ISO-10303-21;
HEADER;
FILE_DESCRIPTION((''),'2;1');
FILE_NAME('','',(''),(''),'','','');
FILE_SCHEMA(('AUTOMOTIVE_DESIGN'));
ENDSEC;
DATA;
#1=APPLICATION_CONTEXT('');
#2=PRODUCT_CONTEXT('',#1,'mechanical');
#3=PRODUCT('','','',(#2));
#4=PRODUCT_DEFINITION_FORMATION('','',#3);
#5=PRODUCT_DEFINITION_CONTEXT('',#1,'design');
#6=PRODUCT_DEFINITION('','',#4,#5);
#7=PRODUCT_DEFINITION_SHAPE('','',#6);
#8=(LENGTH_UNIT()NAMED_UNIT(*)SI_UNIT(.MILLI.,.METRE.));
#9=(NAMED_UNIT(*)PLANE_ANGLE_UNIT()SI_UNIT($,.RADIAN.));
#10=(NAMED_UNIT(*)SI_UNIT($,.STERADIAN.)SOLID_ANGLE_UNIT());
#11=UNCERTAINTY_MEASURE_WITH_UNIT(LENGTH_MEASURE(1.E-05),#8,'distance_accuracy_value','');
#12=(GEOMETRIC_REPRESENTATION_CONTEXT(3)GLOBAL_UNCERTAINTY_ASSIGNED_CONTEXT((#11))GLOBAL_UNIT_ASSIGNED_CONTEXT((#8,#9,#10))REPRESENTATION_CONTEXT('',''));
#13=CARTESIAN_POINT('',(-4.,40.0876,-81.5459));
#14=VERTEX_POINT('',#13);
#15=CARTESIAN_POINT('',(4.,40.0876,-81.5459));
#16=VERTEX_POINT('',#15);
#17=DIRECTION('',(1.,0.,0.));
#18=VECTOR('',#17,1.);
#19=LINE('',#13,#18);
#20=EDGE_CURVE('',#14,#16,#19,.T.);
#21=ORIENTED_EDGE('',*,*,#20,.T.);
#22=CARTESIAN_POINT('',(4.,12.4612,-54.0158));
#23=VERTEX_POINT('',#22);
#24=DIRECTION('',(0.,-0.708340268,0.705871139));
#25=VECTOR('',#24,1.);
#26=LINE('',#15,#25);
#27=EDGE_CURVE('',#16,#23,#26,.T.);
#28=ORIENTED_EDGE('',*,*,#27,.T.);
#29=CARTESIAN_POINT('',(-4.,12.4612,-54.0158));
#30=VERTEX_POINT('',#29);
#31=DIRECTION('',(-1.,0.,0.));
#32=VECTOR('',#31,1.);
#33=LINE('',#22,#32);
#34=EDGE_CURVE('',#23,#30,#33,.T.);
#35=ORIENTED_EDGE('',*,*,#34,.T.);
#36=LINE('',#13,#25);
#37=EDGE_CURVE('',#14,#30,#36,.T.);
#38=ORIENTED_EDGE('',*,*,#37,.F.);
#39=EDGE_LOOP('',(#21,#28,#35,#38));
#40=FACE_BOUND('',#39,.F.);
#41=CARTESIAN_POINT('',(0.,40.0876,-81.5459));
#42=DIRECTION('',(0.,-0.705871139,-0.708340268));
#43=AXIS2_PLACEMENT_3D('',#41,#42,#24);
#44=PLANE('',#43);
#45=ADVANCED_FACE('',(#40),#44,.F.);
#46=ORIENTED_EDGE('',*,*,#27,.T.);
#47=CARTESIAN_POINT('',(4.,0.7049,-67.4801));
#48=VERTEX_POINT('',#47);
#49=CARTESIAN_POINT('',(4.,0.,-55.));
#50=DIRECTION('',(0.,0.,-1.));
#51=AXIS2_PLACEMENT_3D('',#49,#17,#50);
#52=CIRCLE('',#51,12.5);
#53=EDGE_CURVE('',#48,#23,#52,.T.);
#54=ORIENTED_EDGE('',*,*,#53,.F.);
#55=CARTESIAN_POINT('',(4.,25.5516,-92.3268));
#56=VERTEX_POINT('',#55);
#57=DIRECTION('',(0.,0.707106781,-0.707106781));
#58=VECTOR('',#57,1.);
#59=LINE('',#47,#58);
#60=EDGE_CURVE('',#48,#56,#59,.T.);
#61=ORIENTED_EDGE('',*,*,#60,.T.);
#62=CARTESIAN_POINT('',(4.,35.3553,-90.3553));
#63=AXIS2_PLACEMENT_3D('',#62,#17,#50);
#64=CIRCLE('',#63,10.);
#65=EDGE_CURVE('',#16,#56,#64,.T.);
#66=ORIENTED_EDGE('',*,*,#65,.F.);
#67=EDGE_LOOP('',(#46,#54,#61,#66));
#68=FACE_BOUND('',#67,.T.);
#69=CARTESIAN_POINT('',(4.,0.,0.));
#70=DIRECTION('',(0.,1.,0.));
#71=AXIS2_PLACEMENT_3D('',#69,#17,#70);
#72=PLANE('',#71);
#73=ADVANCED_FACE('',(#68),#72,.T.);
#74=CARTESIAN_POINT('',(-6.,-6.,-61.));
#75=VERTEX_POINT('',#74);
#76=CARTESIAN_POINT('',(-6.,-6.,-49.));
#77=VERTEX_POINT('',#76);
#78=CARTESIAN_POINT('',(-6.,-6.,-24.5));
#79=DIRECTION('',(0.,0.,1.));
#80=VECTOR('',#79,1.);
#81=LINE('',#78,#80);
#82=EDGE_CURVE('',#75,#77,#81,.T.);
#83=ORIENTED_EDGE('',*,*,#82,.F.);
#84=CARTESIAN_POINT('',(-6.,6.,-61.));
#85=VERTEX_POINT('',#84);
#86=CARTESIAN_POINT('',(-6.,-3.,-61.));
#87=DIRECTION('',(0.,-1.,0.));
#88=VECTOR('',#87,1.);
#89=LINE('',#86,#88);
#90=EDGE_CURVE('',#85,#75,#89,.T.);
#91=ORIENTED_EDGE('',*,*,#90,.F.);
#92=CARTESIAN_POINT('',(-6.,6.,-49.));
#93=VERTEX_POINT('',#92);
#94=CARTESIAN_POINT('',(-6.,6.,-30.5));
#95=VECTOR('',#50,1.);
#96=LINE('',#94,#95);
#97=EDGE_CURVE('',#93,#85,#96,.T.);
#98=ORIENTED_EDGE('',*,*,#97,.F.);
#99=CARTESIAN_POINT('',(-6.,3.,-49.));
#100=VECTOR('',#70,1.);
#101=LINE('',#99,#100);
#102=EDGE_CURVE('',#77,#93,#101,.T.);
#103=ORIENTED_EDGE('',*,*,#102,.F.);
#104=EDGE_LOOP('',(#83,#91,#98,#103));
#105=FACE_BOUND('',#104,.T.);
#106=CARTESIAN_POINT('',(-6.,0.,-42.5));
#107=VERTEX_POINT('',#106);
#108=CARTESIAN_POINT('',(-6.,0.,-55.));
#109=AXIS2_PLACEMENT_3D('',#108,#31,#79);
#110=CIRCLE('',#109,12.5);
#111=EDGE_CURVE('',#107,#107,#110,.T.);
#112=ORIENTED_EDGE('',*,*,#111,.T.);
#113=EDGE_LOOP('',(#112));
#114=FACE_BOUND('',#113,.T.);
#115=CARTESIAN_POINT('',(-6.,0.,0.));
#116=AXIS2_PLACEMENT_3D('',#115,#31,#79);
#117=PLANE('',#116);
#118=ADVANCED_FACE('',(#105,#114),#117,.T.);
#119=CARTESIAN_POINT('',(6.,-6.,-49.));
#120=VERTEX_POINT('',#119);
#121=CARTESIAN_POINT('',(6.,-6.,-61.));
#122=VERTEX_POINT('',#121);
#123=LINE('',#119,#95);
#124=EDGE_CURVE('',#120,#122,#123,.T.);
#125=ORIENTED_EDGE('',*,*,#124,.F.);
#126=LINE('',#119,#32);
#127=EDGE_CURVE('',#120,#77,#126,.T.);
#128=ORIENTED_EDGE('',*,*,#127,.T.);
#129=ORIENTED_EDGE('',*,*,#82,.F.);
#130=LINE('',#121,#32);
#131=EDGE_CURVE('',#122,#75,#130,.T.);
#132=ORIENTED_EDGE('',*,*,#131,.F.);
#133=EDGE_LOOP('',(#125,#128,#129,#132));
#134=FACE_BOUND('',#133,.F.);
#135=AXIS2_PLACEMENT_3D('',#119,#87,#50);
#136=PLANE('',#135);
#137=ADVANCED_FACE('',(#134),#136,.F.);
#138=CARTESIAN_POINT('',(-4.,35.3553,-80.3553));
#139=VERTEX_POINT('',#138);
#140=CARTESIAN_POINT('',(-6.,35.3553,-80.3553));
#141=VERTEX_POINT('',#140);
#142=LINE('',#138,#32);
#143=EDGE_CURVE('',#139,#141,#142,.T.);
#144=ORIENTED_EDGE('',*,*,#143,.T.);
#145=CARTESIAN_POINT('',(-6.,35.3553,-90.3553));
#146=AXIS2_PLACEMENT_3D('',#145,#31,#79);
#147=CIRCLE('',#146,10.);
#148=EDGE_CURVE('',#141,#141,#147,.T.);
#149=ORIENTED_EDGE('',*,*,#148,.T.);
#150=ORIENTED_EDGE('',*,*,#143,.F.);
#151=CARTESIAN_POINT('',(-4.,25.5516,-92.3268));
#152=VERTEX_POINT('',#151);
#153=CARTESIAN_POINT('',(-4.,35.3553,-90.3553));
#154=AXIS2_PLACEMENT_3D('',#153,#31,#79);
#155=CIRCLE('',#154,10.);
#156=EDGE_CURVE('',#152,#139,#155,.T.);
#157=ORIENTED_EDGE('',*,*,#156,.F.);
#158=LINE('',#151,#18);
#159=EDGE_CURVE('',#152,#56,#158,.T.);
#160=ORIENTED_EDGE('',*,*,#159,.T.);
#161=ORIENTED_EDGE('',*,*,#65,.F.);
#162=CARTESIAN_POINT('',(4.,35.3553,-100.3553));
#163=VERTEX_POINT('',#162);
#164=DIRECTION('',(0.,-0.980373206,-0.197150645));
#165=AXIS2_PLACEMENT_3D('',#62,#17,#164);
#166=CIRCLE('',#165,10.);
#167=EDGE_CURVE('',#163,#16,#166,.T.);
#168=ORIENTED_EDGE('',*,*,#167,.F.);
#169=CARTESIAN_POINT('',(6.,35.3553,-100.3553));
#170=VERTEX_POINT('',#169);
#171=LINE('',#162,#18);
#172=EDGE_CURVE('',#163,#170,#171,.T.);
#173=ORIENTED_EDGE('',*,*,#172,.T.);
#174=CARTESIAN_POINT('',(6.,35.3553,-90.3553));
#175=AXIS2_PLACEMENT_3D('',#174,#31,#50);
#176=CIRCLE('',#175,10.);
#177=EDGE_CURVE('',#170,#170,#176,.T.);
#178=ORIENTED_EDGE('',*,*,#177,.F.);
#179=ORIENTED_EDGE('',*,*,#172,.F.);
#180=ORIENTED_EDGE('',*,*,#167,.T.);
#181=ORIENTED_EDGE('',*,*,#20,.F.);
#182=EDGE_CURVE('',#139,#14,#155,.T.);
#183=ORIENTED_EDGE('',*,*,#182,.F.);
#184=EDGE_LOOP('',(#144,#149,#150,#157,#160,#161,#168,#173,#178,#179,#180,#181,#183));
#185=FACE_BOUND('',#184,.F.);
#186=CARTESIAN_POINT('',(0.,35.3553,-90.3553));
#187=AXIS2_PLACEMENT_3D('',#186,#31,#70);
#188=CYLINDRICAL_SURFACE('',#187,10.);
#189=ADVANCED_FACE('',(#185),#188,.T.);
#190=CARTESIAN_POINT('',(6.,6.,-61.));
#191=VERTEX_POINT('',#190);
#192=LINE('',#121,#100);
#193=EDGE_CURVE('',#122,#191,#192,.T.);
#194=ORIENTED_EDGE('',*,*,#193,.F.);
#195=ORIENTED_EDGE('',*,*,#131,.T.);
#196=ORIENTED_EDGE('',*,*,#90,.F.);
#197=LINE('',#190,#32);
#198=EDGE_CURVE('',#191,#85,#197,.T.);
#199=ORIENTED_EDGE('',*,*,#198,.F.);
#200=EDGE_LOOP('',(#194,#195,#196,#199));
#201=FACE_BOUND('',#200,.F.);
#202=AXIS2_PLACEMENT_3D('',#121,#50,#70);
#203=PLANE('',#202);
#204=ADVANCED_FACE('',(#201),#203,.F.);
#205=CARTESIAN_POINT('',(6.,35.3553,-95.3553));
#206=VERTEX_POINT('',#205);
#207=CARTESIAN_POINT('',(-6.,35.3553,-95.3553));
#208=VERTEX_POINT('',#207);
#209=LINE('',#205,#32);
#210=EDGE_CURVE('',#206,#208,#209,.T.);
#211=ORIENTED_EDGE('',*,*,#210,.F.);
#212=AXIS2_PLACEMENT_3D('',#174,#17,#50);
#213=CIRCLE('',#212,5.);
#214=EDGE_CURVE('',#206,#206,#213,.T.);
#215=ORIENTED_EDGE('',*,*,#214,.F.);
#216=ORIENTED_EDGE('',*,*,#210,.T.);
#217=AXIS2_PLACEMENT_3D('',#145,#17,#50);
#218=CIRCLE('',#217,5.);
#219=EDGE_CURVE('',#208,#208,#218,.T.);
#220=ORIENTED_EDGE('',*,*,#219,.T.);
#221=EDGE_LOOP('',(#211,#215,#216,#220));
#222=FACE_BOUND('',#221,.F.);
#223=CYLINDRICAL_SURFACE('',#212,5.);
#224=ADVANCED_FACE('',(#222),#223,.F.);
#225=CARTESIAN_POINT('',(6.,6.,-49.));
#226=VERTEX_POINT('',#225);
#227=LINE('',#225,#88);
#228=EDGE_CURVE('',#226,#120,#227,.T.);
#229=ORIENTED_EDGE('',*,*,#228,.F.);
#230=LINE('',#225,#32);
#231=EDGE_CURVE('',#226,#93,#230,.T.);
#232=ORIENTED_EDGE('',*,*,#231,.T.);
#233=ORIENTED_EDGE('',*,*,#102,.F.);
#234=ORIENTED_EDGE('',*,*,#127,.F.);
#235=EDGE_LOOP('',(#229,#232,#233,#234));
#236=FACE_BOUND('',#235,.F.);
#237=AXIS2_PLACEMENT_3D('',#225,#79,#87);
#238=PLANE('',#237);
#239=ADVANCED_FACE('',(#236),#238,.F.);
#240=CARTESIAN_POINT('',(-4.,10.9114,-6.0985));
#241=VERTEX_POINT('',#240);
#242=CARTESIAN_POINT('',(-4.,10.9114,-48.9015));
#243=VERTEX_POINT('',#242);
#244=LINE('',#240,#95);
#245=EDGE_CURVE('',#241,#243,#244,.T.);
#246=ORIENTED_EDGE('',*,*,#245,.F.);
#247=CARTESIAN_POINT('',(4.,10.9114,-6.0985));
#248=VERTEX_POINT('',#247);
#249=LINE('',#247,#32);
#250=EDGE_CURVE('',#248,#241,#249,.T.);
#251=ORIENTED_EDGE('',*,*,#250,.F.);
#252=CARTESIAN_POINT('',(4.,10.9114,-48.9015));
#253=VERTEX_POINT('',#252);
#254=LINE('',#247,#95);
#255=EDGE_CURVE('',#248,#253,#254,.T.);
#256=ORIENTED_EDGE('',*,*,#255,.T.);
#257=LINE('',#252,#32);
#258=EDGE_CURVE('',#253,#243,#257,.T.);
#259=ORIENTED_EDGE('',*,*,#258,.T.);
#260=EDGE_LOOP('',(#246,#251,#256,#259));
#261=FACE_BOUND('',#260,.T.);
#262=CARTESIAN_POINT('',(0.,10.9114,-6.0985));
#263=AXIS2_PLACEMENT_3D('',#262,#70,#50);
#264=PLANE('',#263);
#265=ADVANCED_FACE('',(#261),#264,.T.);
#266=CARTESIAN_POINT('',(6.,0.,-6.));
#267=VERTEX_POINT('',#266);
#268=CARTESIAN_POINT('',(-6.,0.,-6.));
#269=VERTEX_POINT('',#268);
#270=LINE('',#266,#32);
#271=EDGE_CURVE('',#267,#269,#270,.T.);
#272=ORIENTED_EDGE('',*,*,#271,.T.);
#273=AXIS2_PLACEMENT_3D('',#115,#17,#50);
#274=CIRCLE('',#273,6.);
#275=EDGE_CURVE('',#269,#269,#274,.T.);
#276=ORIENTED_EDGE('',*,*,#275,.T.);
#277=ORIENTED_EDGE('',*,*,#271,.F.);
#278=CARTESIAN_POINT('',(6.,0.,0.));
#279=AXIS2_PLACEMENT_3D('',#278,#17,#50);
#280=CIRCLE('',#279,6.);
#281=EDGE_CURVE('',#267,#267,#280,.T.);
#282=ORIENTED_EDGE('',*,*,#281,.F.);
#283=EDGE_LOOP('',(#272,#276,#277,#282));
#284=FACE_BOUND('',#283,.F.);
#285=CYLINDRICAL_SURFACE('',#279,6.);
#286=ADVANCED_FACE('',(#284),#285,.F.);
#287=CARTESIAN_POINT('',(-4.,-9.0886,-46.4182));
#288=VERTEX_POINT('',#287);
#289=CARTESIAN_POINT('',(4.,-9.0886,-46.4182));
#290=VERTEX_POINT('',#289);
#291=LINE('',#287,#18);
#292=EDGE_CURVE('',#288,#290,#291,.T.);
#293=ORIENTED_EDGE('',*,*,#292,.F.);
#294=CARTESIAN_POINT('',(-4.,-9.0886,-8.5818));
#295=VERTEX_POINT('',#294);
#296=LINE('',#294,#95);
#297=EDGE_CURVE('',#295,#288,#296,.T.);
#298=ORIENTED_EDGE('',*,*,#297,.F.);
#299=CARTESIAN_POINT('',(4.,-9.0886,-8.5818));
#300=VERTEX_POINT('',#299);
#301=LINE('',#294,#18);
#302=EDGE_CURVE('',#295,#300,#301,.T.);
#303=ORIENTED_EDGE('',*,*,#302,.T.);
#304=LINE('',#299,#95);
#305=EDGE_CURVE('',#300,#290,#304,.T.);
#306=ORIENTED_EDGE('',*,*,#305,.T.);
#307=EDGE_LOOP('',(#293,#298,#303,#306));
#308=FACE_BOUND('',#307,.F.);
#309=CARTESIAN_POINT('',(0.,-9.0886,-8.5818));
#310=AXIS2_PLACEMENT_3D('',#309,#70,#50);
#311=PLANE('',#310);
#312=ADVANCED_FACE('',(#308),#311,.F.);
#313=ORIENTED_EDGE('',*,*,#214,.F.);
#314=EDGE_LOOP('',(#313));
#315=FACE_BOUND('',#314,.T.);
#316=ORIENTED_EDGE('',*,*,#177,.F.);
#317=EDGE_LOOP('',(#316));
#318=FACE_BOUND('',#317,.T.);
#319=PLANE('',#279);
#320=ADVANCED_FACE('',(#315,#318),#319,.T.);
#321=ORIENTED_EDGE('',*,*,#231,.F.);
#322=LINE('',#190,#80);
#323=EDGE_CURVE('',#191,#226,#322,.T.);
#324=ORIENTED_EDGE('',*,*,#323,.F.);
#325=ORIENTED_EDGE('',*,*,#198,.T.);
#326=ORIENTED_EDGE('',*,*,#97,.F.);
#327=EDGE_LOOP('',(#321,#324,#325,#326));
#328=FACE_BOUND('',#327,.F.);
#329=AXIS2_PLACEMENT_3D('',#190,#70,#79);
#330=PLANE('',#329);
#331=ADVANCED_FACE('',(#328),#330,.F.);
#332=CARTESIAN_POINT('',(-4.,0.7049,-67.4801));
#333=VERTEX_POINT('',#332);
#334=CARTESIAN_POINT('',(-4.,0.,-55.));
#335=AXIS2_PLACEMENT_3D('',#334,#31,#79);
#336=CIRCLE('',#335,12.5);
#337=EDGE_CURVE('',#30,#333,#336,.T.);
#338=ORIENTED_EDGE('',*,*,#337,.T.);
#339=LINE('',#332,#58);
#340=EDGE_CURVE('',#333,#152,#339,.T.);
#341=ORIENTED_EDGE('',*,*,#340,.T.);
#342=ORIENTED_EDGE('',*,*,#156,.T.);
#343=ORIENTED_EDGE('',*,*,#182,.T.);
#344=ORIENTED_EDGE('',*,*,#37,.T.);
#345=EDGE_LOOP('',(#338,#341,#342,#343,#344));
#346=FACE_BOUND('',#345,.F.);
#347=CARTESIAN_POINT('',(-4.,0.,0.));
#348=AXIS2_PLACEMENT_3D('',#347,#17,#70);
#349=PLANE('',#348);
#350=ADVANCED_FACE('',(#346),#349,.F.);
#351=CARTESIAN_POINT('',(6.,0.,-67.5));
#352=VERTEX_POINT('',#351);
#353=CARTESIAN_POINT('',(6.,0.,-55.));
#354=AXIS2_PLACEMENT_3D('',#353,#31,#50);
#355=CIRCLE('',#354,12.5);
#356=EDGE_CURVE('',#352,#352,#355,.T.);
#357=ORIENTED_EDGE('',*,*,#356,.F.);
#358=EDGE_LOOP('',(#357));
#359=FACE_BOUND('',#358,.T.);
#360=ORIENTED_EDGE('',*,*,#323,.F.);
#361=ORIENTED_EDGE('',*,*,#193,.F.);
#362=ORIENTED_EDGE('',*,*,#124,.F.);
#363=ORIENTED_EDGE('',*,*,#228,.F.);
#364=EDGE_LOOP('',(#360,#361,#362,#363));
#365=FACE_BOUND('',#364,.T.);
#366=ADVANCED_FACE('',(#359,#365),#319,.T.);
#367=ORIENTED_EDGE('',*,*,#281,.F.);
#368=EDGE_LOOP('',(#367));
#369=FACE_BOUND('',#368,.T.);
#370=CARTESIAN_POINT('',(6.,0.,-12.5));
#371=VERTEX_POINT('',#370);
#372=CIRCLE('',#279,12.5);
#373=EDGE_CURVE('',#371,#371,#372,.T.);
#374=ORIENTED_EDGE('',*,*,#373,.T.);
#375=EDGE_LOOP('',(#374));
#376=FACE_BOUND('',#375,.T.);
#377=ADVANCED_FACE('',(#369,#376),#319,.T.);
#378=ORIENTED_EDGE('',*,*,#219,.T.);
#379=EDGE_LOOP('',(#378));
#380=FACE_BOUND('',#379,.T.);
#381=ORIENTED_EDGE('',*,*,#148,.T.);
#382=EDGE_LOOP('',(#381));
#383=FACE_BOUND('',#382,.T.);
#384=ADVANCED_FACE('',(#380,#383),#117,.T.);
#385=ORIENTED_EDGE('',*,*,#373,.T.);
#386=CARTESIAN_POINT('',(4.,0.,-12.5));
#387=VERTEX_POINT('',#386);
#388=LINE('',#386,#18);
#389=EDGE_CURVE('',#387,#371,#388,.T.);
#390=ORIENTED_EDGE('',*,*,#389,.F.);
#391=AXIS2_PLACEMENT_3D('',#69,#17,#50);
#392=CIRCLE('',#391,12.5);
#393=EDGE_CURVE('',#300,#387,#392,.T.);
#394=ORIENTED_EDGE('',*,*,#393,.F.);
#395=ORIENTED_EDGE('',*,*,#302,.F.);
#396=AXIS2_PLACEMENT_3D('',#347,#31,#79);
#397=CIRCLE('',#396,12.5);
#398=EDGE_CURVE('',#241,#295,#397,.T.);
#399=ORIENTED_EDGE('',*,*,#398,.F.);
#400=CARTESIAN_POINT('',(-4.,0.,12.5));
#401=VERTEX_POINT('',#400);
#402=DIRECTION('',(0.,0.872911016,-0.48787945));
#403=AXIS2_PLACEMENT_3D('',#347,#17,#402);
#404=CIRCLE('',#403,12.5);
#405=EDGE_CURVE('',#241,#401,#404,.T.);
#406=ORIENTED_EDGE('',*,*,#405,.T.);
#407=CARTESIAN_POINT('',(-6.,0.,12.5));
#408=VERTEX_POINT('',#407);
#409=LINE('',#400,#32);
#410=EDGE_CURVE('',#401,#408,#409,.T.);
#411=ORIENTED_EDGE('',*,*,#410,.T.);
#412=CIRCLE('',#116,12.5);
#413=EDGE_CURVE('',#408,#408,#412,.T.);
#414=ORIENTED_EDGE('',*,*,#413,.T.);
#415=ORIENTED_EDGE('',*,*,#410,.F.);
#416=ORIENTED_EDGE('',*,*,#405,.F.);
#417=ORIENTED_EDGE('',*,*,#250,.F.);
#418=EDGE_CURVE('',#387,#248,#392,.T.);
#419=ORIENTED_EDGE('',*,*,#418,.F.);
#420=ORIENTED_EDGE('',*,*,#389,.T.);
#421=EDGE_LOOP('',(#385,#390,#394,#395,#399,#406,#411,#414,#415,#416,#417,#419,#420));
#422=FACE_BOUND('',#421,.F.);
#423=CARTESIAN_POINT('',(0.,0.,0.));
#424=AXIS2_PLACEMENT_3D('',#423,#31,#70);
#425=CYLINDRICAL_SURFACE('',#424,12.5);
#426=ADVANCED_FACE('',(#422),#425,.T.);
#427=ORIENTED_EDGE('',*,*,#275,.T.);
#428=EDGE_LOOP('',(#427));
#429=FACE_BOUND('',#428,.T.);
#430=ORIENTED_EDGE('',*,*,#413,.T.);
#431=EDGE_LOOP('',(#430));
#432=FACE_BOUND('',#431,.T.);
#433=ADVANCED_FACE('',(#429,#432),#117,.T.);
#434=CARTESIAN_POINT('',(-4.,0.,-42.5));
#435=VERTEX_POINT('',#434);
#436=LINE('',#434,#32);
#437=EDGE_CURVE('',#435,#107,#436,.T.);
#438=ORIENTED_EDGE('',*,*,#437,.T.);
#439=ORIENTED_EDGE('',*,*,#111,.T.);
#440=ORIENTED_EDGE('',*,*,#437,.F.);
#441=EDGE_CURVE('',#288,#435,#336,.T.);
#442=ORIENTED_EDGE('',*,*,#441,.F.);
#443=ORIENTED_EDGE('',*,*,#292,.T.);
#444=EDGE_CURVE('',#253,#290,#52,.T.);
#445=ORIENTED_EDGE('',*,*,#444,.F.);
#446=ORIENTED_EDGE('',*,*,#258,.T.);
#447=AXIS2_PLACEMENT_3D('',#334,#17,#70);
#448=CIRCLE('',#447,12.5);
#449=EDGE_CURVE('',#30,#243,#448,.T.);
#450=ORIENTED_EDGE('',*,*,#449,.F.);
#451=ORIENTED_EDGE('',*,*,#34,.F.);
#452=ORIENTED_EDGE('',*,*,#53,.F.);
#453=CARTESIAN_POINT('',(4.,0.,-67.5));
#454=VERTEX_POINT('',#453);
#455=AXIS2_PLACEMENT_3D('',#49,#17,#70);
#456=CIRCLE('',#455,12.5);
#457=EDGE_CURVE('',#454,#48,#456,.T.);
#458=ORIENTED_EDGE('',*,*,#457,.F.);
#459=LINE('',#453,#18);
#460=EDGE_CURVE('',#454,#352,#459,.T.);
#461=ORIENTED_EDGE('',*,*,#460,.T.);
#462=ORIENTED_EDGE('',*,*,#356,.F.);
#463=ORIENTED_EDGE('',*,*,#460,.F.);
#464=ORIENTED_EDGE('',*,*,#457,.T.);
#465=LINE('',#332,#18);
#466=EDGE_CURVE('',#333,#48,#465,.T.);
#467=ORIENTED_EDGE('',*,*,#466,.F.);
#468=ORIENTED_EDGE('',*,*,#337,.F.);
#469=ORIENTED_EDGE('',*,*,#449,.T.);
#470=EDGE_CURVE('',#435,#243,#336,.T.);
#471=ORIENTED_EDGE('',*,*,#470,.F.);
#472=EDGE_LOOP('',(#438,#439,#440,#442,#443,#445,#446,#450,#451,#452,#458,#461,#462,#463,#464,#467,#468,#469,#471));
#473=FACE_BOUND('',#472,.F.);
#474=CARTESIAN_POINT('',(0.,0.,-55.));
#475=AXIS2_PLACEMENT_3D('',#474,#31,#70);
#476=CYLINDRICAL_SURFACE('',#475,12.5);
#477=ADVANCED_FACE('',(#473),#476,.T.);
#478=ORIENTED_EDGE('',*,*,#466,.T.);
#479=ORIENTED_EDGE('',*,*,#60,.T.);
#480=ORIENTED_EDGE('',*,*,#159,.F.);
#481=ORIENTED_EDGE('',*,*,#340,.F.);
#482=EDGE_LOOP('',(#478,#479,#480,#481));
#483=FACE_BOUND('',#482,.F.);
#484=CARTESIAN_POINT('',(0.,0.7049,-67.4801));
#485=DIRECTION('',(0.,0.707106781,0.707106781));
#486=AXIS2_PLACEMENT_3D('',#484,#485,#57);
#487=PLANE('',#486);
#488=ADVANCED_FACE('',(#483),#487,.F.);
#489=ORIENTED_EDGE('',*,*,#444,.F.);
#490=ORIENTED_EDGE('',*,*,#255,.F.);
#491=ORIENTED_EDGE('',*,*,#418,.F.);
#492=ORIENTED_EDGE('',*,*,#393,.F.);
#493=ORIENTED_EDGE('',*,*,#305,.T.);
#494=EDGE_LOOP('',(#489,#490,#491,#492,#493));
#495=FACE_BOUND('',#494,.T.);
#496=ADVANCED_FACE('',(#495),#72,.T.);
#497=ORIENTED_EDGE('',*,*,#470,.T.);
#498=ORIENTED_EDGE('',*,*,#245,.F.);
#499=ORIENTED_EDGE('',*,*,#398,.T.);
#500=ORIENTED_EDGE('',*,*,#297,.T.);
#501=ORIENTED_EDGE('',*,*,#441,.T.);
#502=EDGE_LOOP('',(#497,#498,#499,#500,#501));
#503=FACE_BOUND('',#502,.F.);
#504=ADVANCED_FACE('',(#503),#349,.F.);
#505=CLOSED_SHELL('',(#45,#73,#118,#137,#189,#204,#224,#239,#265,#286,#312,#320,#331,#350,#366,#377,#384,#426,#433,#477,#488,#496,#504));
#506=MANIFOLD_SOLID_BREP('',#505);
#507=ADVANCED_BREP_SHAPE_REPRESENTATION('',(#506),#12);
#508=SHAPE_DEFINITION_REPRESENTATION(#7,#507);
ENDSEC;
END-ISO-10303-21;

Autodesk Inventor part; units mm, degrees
ref_plane "YZ Plane" through (0, 0, 0) normal (1, 0, 0) x (0, 1, 0)
ref_plane "XZ Plane" through (0, 0, 0) normal (0, 1, 0) x (-1, 0, 0)
ref_plane "XY Plane" through (0, 0, 0) normal (0, 0, 1) x (1, 0, 0)
sketch "Sketch1" plane through (0, 0, 0) normal (1, 0, 0) x (0, 1, 0)
  circle A0 centre (0, 0) radius 12.5
  line L0 (0, 0) -> (0, -55) construction
  circle A1 centre (0, -55) radius 12.5
  line L1 (0, -55) -> (35.3553, -90.3553) construction
  circle A2 centre (35.3553, -90.3553) radius 10
  line L2 (10.9114, -6.0985) -> (10.9114, -48.9015)
  line L3 (-9.0886, -8.5818) -> (-9.0886, -46.4182)
  line L4 (40.0876, -81.5459) -> (12.4612, -54.0158)
  line L5 (0.7049, -67.4801) -> (25.5516, -92.3268)
  dimension "d0" = 25
  dimension "d1" = 55
  dimension "d2" = 25
  dimension "d3" = 50
  dimension "d4" = 20
  dimension "d5" = 20
  dimension "d7" = 45
  dimension "d8" = 0.1
extrude "Extrusion1" add sketch "Sketch1" along normal mid plane 8
sketch "Sketch2" plane through (4, 0, 0) normal (1, 0, 0) x (0, 0, -1)
  circle A0 centre (0, 0) radius 12.5
  line L0 (0, 0) -> (55, 0) construction
  circle A1 centre (55, 0) radius 12.5
  line L1 (55, 0) -> (90.3553, 35.3553)
  circle A2 centre (90.3553, 35.3553) radius 10
  dimension "d11" = 25
  dimension "d12" = 55
  dimension "d13" = 25
  dimension "d14" = 50
  dimension "d15" = 45
  dimension "d16" = 20
extrude "Extrusion2" add sketch "Sketch2" along normal blind 2
sketch "Sketch3" plane through (-4, 0, 0) normal (-1, 0, 0) x (0, 0, 1)
  line L0 (0, 0) -> (-55, 0) construction
  line L1 (-55, 0) -> (-90.3553, 35.3553) construction
  circle A0 centre (-90.3553, 35.3553) radius 10
  circle A1 centre (-55, 0) radius 12.5
  circle A2 centre (0, 0) radius 12.5
  dimension "d19" = 55
  dimension "d20" = 50
  dimension "d21" = 45
  dimension "d22" = 20
  dimension "d23" = 25
  dimension "d24" = 25
extrude "Extrusion3" add sketch "Sketch3" along normal blind 2
sketch "Sketch4" plane through (6, 0, 0) normal (1, 0, 0) x (0, 0, -1)
  circle A0 centre (0, 0) radius 6
  line L0 (0, 0) -> (55, 0) construction
  line L1 (55, 0) -> (90.3553, 35.3553) construction
  line L2 (49, -6) -> (61, -6)
  line L3 (61, -6) -> (61, 6)
  line L4 (61, 6) -> (49, 6)
  line L5 (49, 6) -> (49, -6)
  line L6 (49, -6) -> (61, 6) construction
  line L7 (61, -6) -> (49, 6) construction
  circle A1 centre (90.3553, 35.3553) radius 5
  dimension "d27" = 12
  dimension "d28" = 55
  dimension "d29" = 50
  dimension "d30" = 45
  dimension "d31" = 12
  dimension "d32" = 12
  dimension "d33" = 10
extrude "Extrusion4" cut sketch "Sketch4" against normal through all
